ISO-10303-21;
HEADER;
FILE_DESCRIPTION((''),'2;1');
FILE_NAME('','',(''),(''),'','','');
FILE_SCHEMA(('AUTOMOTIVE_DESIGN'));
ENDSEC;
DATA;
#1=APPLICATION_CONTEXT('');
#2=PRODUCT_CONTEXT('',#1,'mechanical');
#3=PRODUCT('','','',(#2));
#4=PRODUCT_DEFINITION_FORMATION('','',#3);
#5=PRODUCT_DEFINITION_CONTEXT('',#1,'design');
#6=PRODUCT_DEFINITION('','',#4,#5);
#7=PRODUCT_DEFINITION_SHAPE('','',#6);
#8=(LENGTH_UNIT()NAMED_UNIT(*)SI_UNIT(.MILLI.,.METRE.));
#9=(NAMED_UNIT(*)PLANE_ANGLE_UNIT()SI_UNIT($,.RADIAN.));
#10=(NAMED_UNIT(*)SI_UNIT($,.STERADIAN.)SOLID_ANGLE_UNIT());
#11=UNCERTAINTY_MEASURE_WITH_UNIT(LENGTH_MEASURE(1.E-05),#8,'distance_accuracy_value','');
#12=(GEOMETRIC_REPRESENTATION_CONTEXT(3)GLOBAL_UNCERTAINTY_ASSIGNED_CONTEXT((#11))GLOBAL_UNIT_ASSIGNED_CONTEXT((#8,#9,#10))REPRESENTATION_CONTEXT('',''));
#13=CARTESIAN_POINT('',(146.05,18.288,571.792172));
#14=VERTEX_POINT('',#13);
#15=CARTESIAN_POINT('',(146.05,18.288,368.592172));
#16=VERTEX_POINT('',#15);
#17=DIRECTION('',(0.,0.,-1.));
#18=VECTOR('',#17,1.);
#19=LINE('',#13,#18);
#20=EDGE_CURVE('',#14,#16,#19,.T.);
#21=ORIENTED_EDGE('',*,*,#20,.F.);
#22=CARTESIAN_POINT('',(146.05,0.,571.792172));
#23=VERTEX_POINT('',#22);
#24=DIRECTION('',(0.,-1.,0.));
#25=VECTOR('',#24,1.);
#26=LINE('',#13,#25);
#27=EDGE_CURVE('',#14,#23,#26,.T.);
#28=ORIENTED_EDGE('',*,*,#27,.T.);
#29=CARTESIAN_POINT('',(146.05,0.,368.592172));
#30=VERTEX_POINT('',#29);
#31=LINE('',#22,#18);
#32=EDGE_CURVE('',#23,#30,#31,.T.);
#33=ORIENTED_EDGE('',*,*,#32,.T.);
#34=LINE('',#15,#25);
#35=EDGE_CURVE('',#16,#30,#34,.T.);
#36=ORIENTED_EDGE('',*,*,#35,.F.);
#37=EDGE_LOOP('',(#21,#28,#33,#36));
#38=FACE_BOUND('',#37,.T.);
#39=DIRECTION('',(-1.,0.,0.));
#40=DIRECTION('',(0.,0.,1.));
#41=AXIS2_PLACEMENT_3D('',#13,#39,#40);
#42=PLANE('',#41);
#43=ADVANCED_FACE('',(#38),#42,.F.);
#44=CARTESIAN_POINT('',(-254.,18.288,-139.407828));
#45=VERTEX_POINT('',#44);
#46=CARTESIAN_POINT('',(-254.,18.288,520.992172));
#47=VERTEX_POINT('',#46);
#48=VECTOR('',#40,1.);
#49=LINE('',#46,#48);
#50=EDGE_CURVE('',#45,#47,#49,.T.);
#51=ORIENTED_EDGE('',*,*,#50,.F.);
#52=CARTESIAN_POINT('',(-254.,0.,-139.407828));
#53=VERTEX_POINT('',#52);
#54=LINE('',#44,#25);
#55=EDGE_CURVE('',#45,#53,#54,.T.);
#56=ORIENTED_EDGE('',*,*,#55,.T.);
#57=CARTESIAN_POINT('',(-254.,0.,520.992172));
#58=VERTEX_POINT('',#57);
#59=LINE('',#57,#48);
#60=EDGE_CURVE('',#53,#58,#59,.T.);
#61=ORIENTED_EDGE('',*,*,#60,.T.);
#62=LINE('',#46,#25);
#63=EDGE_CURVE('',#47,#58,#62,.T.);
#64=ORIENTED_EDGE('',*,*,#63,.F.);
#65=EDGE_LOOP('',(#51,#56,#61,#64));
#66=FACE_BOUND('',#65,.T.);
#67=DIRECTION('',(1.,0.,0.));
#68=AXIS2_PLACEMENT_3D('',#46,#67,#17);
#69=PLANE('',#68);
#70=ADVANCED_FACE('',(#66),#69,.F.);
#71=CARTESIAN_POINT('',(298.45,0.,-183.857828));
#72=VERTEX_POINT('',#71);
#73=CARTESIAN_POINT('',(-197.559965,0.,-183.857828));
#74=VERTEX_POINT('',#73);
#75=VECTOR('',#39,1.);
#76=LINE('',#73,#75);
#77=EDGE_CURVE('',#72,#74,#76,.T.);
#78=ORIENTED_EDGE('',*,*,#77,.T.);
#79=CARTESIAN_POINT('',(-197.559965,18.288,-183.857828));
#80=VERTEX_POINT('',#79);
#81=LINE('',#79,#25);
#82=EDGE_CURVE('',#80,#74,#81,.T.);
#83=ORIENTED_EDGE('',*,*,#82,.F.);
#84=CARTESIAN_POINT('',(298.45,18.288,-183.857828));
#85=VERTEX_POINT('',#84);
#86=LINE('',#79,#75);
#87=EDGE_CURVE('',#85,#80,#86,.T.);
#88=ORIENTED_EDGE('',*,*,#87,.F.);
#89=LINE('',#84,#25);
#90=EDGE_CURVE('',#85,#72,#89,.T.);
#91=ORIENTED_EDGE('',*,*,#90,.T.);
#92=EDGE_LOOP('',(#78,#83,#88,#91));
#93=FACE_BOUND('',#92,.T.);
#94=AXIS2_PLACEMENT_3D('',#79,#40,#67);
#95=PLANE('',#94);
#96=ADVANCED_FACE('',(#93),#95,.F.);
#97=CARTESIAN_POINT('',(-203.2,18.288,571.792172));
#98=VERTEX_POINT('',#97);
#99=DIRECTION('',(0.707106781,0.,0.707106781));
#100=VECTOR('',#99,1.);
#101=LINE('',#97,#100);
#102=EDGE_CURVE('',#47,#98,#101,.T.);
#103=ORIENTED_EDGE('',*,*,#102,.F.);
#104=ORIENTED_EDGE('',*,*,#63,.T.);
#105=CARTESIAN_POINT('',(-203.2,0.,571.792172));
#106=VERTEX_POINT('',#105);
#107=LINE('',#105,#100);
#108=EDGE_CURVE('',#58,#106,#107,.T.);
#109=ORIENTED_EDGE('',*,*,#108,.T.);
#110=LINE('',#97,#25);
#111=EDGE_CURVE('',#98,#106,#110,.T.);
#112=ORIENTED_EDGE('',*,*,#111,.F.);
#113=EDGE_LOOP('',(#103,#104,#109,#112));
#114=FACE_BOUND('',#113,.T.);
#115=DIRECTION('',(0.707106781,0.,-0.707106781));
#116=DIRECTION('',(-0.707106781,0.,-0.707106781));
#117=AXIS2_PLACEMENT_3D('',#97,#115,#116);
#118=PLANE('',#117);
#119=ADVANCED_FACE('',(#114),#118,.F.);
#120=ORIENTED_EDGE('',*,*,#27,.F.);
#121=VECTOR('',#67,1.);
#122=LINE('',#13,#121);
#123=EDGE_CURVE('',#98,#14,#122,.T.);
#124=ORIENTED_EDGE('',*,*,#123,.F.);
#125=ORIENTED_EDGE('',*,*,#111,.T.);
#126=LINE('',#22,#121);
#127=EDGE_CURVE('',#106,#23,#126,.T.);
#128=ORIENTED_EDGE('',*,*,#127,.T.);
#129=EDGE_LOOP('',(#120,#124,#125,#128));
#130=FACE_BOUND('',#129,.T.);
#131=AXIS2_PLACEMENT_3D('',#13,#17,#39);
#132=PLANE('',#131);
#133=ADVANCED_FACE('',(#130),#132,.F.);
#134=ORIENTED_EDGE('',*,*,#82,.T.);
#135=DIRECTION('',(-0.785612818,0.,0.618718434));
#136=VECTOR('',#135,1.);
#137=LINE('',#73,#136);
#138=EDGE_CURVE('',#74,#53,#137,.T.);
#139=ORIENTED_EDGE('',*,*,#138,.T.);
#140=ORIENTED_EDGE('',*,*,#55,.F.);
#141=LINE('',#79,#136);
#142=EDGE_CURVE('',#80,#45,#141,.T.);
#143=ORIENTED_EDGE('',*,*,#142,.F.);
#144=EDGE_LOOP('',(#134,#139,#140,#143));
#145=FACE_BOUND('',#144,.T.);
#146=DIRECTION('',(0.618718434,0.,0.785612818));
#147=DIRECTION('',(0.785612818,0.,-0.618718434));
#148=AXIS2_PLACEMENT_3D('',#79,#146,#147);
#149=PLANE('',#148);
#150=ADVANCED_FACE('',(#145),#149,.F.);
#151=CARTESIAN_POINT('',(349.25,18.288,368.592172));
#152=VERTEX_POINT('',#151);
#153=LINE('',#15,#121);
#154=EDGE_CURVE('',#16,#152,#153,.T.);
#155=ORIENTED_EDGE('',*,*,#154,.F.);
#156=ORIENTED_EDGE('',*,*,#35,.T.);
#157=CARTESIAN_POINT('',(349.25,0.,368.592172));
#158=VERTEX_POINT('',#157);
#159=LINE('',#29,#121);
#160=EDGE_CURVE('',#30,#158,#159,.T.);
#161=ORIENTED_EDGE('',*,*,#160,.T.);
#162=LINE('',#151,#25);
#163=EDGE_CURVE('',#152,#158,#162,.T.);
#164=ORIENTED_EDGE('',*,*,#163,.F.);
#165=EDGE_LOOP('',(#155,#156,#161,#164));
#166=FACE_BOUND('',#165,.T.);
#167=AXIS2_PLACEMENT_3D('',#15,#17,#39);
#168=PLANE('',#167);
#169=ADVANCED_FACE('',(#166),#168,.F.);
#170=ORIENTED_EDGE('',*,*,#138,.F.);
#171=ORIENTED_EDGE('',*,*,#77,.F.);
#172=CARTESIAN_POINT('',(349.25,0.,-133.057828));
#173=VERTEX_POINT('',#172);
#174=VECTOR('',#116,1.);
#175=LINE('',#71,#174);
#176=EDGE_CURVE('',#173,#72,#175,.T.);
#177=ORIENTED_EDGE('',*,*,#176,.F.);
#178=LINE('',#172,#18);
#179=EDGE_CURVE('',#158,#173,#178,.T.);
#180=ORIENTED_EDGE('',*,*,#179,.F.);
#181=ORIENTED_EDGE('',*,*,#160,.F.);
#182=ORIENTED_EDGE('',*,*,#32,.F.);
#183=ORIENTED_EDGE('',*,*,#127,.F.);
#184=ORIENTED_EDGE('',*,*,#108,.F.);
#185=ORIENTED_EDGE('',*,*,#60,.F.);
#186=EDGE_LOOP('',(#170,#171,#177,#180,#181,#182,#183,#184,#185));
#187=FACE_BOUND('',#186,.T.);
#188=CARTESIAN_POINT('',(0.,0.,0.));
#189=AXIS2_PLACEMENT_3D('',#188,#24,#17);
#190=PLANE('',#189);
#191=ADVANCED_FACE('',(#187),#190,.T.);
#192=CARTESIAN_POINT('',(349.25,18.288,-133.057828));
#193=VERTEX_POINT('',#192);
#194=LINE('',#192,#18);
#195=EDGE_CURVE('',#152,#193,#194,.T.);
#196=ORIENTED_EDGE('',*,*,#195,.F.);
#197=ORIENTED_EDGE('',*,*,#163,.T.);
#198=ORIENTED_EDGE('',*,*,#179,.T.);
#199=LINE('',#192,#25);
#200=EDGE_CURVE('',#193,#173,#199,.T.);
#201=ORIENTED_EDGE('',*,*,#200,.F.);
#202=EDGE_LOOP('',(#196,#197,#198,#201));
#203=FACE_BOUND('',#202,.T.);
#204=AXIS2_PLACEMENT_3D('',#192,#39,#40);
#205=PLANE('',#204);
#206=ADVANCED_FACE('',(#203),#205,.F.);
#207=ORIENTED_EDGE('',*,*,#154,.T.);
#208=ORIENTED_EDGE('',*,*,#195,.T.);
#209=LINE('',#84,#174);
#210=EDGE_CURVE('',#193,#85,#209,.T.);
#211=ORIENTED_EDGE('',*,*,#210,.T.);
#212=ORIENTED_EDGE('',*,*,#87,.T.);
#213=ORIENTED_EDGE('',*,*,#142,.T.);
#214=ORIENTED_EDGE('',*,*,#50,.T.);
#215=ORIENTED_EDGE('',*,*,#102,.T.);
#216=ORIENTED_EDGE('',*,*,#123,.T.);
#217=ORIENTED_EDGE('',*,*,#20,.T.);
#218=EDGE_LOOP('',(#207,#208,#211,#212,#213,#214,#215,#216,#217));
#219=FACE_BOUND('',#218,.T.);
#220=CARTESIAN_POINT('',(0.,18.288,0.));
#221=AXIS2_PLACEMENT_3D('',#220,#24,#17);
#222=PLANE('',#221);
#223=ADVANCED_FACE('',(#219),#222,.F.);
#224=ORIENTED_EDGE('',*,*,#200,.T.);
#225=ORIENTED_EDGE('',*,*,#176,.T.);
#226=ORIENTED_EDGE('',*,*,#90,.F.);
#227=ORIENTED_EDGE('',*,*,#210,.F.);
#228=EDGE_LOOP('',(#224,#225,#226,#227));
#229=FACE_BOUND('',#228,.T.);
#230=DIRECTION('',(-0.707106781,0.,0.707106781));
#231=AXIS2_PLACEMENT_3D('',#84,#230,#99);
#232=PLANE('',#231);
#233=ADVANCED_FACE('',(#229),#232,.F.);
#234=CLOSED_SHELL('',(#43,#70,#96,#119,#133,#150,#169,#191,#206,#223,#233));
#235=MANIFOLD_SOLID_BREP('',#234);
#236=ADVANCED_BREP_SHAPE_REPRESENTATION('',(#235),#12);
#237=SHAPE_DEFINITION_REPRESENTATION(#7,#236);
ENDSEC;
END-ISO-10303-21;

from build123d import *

# Parameters (mm, degrees)
BOSS_EXTRUDE1_DEPTH = 18.288


with BuildPart() as part:
    # Sketch1 → Boss-Extrude1 (new body)
    with BuildSketch(Plane(origin=(0, 0, 0), x_dir=(1, 0, 0), z_dir=(0, 1, 0))):
        Polygon((-197.55996545, 183.857828321), (-254, 139.407828321), (-254, -520.992171679), (-203.2, -571.792171679), (146.05, -571.792171679), (146.05, -368.592171679), (349.25, -368.592171679), (349.25, 133.057828321), (298.45, 183.857828321), align=None)
    extrude(amount=BOSS_EXTRUDE1_DEPTH)


solid = part.part
